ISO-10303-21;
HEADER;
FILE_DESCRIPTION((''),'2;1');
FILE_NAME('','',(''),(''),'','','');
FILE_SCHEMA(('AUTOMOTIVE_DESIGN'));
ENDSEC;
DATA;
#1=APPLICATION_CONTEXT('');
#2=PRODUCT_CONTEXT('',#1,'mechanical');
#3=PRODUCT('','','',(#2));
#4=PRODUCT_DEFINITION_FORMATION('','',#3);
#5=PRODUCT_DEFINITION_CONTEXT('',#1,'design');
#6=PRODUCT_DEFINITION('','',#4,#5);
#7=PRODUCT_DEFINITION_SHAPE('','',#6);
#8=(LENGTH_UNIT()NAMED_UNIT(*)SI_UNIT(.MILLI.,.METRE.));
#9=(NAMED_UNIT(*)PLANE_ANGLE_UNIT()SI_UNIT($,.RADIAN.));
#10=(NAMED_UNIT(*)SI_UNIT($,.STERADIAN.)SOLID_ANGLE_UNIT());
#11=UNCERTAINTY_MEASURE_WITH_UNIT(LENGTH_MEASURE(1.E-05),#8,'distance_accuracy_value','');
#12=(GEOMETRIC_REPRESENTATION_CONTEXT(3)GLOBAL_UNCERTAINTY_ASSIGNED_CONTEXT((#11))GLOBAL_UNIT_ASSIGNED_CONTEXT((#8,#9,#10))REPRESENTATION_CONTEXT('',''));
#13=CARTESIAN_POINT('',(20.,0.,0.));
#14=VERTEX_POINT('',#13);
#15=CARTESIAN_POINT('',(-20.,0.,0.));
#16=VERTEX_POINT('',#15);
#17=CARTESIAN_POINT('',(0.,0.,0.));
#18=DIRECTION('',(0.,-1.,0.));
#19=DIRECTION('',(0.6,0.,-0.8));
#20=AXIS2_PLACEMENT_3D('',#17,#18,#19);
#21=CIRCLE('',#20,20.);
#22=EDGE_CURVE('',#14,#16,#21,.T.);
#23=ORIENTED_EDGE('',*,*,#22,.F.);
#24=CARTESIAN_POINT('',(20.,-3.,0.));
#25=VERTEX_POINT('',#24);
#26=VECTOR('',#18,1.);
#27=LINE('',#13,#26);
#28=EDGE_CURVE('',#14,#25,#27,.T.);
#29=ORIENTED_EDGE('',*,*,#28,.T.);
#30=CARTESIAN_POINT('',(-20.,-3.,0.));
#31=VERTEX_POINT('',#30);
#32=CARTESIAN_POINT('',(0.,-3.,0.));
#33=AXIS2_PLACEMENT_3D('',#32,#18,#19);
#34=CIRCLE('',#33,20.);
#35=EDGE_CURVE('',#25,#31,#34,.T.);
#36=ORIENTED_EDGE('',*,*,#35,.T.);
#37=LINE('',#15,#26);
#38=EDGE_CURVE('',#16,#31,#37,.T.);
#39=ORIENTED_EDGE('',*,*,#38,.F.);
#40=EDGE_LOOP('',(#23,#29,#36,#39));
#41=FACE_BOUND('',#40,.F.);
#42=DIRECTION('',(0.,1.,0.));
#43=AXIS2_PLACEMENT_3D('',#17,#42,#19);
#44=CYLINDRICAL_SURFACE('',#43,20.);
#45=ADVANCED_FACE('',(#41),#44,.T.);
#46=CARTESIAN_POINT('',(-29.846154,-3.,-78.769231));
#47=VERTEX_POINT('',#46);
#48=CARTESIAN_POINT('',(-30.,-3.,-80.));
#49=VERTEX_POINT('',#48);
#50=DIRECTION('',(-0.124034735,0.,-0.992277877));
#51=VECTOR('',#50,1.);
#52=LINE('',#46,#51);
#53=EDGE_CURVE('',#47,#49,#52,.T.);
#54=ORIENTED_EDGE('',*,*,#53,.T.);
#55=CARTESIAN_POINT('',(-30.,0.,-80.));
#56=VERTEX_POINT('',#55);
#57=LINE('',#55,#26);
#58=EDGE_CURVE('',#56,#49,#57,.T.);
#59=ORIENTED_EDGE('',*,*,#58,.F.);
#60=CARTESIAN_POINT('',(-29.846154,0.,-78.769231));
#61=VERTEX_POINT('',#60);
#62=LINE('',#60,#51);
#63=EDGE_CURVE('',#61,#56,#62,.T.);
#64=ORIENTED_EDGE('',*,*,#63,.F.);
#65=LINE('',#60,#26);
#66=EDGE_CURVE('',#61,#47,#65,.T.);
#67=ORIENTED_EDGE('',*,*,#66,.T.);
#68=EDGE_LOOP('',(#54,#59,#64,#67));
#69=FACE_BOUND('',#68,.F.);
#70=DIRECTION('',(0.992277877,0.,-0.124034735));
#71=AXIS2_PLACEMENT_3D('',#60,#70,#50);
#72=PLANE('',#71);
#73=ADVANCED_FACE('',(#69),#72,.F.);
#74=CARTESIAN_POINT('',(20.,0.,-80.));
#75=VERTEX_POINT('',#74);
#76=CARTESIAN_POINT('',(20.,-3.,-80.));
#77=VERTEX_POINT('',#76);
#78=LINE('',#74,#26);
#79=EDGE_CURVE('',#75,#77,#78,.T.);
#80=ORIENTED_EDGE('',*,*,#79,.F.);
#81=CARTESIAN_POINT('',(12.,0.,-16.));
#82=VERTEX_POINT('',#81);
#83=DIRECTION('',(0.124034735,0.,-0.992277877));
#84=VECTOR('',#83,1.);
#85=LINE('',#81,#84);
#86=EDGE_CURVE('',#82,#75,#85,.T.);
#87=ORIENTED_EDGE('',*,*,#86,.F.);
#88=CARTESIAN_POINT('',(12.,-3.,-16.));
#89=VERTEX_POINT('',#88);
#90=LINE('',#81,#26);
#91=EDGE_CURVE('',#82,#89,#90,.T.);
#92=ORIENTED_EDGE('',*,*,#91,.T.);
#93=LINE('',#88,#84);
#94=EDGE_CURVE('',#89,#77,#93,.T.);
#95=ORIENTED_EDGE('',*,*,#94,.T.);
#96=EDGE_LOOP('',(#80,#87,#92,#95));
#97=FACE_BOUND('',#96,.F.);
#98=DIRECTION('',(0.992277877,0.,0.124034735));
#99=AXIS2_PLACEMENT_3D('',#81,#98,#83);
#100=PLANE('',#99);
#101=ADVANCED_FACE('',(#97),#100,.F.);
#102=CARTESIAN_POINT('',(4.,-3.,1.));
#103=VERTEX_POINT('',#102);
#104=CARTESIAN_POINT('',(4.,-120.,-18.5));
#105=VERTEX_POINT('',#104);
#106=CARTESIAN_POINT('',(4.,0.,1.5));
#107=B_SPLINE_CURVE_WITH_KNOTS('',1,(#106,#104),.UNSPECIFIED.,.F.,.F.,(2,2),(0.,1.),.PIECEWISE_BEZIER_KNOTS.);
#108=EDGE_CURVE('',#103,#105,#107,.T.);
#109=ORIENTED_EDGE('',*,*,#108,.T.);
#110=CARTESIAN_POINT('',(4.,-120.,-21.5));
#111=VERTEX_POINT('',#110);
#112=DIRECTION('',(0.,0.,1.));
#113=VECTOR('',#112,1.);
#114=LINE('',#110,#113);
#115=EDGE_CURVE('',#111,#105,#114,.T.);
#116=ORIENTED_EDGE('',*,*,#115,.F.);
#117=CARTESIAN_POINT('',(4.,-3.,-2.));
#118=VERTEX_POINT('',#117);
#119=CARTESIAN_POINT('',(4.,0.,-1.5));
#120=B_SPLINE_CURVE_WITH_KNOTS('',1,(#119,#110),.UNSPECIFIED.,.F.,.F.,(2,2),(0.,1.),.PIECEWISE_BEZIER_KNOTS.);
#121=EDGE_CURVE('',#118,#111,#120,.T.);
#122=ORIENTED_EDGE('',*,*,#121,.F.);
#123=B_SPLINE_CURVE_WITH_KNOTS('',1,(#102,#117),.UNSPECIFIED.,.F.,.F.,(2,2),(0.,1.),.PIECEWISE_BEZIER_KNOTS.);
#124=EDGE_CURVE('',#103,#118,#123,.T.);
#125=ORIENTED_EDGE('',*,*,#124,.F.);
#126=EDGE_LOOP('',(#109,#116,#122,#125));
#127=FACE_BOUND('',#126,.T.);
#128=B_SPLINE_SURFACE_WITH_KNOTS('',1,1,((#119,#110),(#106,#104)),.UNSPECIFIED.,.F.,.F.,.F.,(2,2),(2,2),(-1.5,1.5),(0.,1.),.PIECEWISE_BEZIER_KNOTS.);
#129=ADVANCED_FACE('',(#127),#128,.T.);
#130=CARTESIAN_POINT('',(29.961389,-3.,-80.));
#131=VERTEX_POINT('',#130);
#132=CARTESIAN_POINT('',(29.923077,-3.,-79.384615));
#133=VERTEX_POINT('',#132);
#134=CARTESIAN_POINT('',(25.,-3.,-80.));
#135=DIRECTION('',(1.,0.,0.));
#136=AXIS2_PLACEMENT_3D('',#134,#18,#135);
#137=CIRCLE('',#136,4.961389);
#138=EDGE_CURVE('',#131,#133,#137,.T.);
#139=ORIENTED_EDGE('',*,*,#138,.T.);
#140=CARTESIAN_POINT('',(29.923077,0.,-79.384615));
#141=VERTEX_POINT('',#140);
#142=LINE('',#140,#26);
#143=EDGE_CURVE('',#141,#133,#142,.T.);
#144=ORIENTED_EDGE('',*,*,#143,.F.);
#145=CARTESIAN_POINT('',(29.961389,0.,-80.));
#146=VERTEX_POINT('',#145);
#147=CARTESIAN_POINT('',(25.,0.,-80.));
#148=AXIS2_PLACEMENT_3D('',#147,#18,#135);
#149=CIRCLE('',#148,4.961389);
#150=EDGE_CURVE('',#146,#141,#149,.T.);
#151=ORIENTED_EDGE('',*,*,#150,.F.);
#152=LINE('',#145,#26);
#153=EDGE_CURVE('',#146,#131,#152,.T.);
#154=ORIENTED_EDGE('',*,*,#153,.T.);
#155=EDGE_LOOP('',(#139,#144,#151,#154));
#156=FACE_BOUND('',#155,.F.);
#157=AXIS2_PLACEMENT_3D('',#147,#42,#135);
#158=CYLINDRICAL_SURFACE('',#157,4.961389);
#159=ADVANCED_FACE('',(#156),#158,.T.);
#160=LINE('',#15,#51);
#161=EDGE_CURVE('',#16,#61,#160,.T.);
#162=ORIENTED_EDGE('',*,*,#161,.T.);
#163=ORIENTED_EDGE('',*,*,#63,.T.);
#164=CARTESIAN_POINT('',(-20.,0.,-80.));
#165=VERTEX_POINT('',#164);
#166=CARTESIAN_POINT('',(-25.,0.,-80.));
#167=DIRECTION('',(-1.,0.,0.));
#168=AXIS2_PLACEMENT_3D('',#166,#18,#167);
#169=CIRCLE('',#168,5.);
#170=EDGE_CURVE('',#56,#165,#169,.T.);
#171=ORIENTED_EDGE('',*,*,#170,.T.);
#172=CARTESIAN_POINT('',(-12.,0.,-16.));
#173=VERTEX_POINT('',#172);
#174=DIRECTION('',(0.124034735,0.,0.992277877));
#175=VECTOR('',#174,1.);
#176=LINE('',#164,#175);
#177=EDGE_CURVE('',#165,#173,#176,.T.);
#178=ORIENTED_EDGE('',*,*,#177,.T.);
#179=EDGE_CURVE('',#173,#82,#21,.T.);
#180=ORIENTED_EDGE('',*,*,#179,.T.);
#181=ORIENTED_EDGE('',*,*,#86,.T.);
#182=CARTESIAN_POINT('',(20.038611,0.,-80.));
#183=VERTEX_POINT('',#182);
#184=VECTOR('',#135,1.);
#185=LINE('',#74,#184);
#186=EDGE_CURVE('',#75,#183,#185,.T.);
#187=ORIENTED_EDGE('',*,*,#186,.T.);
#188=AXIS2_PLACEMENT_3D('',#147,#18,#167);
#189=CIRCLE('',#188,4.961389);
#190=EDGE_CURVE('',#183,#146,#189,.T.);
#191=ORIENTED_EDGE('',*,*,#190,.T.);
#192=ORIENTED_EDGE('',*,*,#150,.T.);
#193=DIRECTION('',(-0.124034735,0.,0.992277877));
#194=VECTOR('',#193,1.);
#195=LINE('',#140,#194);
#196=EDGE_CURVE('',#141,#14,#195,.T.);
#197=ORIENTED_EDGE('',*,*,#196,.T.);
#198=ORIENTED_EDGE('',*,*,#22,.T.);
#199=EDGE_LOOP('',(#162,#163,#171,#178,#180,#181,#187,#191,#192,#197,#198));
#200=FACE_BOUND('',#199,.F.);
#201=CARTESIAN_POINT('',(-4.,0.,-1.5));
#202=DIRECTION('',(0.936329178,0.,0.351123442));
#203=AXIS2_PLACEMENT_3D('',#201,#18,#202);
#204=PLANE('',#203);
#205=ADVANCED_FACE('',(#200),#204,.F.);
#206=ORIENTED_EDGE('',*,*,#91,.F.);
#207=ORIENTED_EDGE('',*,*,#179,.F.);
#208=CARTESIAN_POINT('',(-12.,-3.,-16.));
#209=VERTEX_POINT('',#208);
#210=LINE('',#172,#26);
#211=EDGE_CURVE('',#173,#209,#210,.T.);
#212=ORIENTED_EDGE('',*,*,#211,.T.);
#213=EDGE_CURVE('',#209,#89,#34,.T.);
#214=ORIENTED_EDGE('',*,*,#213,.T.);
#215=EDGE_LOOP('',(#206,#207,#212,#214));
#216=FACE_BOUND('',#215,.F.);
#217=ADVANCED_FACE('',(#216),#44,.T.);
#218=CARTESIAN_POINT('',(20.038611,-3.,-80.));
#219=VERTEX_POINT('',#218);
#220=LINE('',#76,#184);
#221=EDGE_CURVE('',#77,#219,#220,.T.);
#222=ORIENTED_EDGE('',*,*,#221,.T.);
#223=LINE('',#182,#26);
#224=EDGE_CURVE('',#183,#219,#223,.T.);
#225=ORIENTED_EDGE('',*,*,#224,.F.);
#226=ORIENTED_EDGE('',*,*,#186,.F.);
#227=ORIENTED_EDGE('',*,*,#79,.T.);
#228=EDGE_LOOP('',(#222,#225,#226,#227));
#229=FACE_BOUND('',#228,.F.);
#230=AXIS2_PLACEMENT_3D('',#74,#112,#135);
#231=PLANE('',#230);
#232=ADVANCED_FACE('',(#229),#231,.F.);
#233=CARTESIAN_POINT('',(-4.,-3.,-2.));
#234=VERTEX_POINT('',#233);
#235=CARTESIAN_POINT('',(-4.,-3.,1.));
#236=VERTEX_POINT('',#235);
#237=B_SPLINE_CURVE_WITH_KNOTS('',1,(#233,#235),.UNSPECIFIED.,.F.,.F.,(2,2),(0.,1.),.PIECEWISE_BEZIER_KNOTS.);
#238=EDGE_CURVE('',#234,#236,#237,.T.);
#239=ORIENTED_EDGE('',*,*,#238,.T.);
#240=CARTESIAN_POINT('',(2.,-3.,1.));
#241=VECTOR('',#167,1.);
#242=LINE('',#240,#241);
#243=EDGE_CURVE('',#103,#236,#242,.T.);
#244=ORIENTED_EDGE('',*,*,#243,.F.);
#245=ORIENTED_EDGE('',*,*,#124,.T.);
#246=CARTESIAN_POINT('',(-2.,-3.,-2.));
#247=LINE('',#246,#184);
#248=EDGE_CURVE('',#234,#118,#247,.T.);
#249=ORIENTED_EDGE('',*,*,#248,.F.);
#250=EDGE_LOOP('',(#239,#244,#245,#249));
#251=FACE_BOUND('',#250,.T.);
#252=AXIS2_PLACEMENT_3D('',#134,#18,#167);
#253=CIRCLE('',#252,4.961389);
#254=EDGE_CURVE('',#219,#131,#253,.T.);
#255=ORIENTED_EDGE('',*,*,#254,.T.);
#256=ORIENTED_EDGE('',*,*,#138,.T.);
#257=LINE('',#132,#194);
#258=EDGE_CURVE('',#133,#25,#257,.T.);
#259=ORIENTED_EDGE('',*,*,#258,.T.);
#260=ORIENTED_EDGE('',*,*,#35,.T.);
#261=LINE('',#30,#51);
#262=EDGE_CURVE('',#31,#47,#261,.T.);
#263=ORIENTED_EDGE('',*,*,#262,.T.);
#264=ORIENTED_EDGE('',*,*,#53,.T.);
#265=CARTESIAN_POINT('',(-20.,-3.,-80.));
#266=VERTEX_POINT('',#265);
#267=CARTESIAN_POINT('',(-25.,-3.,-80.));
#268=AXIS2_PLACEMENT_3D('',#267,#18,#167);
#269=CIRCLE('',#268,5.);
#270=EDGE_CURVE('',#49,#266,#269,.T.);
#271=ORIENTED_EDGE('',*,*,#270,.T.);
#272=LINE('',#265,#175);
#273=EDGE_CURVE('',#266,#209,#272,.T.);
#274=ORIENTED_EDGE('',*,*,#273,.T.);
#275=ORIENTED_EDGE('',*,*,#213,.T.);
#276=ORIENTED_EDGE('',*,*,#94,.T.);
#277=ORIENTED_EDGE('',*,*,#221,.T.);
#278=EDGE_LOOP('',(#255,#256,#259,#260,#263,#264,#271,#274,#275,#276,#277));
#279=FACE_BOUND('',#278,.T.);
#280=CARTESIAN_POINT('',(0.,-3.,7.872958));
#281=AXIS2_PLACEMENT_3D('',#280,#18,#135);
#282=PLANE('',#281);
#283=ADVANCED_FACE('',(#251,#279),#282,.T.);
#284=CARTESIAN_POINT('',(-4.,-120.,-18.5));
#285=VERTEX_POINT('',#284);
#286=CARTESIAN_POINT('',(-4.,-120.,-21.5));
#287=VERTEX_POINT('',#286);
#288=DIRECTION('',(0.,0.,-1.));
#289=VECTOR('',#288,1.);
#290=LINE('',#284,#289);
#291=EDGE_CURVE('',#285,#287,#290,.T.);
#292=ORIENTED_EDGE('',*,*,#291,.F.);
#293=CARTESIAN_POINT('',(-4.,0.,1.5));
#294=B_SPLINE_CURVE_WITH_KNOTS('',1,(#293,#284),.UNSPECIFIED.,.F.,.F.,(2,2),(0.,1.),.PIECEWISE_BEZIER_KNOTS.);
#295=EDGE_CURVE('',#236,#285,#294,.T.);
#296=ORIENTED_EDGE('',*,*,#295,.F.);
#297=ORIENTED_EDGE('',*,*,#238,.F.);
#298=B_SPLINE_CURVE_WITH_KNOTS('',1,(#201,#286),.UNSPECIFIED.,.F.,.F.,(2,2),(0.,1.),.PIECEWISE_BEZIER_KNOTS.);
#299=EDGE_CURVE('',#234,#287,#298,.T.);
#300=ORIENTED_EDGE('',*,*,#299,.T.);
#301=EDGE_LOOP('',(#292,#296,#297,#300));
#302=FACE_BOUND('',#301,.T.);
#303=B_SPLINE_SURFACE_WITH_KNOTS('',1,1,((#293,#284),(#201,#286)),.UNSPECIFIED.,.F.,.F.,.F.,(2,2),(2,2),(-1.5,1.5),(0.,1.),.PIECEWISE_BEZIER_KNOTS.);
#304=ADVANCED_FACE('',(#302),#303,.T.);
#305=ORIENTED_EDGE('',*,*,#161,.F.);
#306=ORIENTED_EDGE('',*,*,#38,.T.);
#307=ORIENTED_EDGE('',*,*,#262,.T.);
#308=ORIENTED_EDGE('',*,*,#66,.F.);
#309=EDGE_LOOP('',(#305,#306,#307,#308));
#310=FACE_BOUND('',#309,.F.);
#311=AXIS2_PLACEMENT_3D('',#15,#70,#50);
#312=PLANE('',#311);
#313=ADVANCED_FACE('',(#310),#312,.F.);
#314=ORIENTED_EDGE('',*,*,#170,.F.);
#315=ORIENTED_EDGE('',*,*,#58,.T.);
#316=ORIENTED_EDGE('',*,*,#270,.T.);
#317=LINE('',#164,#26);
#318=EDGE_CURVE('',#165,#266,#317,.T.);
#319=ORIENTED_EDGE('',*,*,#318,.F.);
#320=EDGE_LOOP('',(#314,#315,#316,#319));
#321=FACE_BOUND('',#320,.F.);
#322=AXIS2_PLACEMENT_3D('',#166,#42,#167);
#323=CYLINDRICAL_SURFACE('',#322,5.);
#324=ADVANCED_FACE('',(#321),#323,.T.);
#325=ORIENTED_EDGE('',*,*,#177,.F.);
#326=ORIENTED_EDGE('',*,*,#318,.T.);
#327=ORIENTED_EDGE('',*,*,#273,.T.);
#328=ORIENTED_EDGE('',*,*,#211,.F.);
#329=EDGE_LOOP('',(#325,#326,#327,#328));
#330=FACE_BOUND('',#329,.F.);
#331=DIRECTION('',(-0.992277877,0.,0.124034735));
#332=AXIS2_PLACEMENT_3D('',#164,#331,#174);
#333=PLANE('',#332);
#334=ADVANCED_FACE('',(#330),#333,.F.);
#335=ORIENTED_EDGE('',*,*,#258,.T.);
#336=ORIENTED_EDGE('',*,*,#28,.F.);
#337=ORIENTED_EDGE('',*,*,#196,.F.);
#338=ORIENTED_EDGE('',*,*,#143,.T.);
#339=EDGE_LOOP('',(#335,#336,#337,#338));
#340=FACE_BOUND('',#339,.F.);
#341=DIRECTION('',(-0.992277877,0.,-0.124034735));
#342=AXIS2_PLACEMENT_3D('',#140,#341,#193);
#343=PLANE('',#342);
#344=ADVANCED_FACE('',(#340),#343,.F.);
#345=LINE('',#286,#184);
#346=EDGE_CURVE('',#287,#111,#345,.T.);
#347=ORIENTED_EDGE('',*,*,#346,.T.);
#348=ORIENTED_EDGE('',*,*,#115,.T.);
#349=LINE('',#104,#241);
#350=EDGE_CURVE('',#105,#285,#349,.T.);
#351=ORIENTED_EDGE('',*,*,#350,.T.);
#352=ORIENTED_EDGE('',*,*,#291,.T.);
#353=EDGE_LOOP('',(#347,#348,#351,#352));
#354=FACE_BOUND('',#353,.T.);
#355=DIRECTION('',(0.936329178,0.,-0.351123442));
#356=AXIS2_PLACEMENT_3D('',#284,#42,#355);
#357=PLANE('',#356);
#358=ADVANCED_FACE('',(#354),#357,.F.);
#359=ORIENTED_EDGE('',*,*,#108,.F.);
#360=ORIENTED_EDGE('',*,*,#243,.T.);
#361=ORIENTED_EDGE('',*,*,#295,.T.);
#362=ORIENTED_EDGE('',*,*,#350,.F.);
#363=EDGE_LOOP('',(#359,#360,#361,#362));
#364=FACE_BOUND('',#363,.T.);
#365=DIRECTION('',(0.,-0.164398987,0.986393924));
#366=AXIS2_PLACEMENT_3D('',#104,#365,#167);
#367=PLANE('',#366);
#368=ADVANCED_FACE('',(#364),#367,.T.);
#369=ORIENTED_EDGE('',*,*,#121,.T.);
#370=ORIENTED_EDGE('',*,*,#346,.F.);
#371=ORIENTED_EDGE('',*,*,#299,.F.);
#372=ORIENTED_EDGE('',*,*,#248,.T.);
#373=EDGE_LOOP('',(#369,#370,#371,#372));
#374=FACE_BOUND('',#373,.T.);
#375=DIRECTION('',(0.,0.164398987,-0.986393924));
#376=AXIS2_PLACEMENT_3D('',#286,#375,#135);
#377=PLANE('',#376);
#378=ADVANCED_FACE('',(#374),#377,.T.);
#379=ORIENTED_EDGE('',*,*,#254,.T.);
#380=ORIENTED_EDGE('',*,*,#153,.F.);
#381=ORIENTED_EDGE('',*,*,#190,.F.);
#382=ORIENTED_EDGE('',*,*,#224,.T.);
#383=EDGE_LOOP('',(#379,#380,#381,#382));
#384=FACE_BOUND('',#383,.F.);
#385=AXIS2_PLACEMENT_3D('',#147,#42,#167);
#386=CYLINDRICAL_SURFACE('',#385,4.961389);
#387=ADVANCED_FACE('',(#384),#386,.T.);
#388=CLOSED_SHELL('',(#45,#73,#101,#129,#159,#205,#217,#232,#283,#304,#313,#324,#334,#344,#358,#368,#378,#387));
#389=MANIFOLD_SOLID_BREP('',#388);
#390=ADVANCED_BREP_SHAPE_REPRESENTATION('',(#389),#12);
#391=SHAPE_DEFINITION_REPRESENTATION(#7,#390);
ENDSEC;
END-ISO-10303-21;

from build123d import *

# Parameters (mm, degrees)
F1_DEPTH = 3
F4_W     = 8
F4_H     = 3


with BuildPart() as f1:
    # F0 (on Front) → F1 (new body)
    with BuildSketch(Plane.XZ):
        with BuildLine():
            Line((10, 0), (20, 0))
            ThreePointArc((20, 0), (0, 20), (-20, 0))
            Line((-20, 0), (-10, 0))
            ThreePointArc((-10, 0), (0, 10), (10, 0))
        make_face()
        with BuildLine():
            Line((-10, 0), (10, 0))
            ThreePointArc((10, 0), (0, 10), (-10, 0))
        make_face()
        with BuildLine():
            ThreePointArc((-10, 0), (0, -10), (10, 0))
            Line((10, 0), (-10, 0))
        make_face()
        with BuildLine():
            Line((-10, 0), (-20, 0))
            ThreePointArc((-20, 0), (-17.88854382, -8.94427191), (-12, -16))
            Line((-12, -16), (-10, 0))
        make_face()
        with BuildLine():
            ThreePointArc((-12, -16), (0, -20), (12, -16))
            Line((12, -16), (10, 0))
            ThreePointArc((10, 0), (0, -10), (-10, 0))
            Line((-10, 0), (-12, -16))
        make_face()
        with BuildLine():
            ThreePointArc((12, -16), (17.88854382, -8.94427191), (20, 0))
            Line((20, 0), (10, 0))
            Line((10, 0), (12, -16))
        make_face()
        with BuildLine():
            Line((20, -80), (20, 0))
            ThreePointArc((20, 0), (17.88854382, -8.94427191), (12, -16))
            Line((12, -16), (20, -80))
        make_face()
        with BuildLine():
            Line((29.9230769237, -79.3846153898), (20, 0))
            Line((20, 0), (20, -80))
            Line((20, -80), (20.0386106164, -80))
            ThreePointArc((20.0386106164, -80), (24.6917119597, -75.0481979947), (29.9230769237, -79.3846153898))
        make_face()
        with BuildLine():
            ThreePointArc((-12, -16), (-17.88854382, -8.94427191), (-20, 0))
            Line((-20, 0), (-20, -80))
            Line((-20, -80), (-12, -16))
        make_face()
        with BuildLine():
            Line((-20, -80), (-20, 0))
            Line((-20, 0), (-29.8461538462, -78.7692307692))
            ThreePointArc((-29.8461538462, -78.7692307692), (-24.3798263271, -75.0386106164), (-20, -80))
        make_face()
        with BuildLine():
            Line((-30, -80), (-20, -80))
            ThreePointArc((-20, -80), (-24.3798263271, -75.0386106164), (-29.8461538462, -78.7692307692))
            Line((-29.8461538462, -78.7692307692), (-30, -80))
        make_face()
        with BuildLine():
            ThreePointArc((-30, -80), (-25, -85), (-20, -80))
            Line((-20, -80), (-30, -80))
        make_face()
        with BuildLine():
            Line((29.9613893836, -80), (20.0386106164, -80))
            ThreePointArc((20.0386106164, -80), (25, -84.9613893836), (29.9613893836, -80))
        make_face()
        with BuildLine():
            ThreePointArc((29.9613893836, -80), (29.9518020053, -79.6917119597), (29.9230769237, -79.3846153898))
            ThreePointArc((29.9230769237, -79.3846153898), (24.6917119597, -75.0481979947), (20.0386106164, -80))
            Line((20.0386106164, -80), (29.9613893836, -80))
        make_face()
    extrude(amount=F1_DEPTH)

    # F4 (on Front) → F5 section 0
    with BuildSketch(Plane.XZ):
        Rectangle(F4_W, F4_H)
    # F3 (on offset) → F5 section 1
    with BuildSketch(Plane.XZ.offset(120)):
        Polygon((0, -18.5), (-4, -18.5), (-4, -21.5), (4, -21.5), (4, -18.5), align=None)
    loft()


solid = f1.part
